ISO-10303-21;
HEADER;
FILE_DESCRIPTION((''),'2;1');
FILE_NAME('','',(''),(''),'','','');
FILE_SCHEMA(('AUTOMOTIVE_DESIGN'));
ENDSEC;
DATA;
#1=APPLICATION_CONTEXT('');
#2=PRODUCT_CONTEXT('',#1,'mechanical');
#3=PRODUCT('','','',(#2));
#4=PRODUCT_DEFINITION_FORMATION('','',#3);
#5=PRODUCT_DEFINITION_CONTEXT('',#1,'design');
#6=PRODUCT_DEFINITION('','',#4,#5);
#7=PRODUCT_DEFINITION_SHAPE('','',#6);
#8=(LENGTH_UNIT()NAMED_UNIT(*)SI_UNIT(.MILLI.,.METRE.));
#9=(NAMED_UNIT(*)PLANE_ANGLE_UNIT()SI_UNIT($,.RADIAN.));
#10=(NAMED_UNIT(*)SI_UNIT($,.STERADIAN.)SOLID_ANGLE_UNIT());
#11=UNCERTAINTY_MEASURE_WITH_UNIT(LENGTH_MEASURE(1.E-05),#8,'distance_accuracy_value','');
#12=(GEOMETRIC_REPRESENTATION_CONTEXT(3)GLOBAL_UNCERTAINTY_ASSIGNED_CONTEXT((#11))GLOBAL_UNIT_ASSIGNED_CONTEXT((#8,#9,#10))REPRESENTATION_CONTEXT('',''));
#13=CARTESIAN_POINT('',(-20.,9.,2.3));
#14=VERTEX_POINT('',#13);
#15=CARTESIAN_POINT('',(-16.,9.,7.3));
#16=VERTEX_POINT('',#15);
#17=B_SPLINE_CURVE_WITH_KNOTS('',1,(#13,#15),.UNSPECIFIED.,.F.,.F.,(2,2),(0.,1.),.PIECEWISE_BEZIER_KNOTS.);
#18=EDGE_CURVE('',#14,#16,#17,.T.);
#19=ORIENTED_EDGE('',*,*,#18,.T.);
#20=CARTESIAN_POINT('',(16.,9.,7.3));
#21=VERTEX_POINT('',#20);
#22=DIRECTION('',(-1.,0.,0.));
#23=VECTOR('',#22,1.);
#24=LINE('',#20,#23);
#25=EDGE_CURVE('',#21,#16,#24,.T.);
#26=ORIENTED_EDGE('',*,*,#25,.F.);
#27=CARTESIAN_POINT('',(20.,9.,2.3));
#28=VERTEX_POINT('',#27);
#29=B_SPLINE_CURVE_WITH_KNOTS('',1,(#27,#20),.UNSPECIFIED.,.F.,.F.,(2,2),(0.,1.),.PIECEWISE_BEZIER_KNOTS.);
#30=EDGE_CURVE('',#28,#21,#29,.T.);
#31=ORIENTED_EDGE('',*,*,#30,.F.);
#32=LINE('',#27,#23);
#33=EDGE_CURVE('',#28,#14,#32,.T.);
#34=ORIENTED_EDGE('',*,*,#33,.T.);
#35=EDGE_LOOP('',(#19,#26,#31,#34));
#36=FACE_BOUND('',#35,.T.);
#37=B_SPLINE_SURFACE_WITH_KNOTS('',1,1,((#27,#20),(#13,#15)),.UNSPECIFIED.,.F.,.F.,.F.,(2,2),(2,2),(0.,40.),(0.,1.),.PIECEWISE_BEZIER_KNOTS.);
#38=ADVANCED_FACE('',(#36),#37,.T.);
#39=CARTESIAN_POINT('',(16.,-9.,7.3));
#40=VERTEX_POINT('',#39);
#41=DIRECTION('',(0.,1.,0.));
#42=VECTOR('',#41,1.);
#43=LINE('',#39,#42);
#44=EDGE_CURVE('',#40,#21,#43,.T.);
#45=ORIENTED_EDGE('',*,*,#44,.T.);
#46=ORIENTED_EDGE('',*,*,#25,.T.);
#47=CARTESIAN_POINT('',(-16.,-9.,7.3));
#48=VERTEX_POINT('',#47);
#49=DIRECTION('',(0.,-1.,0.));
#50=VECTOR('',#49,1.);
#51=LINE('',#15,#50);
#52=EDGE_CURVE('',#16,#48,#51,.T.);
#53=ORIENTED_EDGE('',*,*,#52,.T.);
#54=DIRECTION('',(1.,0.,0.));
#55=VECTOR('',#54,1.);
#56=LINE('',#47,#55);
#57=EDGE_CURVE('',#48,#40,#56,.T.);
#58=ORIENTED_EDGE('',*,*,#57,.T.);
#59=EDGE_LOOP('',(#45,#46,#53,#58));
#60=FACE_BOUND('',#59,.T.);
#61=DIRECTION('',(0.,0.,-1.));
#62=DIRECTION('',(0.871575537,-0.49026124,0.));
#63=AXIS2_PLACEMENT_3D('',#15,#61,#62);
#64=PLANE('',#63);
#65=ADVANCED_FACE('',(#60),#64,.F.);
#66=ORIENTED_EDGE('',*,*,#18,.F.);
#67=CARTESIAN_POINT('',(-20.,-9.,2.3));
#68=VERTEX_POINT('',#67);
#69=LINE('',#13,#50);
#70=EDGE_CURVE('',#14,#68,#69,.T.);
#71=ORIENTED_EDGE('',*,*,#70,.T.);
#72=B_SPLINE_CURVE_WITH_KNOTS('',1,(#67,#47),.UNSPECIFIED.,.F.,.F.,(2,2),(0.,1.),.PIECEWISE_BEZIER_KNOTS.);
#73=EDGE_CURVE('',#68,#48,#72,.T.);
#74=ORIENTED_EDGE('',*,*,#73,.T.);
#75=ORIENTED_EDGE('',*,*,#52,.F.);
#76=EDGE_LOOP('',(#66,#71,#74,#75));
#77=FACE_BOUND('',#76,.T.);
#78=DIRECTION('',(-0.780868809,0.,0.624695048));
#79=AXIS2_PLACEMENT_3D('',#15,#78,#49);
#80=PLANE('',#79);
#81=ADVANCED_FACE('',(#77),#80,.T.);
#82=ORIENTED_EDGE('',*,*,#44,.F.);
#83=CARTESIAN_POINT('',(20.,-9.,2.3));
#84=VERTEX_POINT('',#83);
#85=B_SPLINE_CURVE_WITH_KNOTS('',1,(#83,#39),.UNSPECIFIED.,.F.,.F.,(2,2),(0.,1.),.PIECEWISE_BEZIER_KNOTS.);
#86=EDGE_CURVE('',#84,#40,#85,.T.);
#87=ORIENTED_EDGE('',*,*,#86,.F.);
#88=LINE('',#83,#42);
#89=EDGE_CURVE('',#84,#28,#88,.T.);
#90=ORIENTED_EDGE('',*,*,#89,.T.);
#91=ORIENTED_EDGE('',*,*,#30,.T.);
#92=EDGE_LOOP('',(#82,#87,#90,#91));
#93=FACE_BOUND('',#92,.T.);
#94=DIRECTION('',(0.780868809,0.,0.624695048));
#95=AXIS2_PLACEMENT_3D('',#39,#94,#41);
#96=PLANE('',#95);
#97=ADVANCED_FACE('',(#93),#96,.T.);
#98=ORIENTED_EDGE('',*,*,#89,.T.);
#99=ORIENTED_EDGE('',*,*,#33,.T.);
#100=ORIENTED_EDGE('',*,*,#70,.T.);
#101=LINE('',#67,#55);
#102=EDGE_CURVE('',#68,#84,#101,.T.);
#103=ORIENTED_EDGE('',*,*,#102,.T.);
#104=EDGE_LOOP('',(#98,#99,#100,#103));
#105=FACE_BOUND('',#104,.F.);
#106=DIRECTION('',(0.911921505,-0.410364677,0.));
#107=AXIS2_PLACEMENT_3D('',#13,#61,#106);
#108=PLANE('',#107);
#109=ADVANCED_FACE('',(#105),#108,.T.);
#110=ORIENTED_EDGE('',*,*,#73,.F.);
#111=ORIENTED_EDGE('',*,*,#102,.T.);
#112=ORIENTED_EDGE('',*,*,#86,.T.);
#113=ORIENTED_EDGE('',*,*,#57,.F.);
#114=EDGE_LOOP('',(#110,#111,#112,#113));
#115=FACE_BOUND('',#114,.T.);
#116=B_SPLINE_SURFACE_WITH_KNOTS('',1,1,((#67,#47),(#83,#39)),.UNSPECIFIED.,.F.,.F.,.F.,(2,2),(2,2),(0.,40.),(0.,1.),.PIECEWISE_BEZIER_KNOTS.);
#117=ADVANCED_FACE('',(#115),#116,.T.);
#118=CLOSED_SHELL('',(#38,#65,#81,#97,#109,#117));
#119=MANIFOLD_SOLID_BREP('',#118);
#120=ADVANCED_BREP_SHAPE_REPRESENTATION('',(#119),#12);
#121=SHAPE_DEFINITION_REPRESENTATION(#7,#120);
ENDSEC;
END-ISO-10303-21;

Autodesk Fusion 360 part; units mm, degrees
ref_plane "工作平面1" through (0, 0, 2.3) normal (0, 0, 1) x (1, 0, 0)
sketch "草图1" plane through (0, 0, 2.3) normal (0, 0, 1) x (1, 0, 0)
  line L0 (-20, -9) -> (20, -9)
  line L1 (20, -9) -> (20, 9)
  line L2 (20, 9) -> (-20, 9)
  line L3 (-20, 9) -> (-20, -9)
ref_plane "工作平面2" through (0, 0, 7.3) normal (0, 0, 1) x (1, 0, 0)
sketch "草图2" plane through (0, 0, 7.3) normal (0, 0, 1) x (1, 0, 0)
  line L0 (-16, -9) -> (16, -9)
  line L1 (16, -9) -> (16, 9)
  line L2 (16, 9) -> (-16, 9)
  line L3 (-16, 9) -> (-16, -9)
loft "Coupon male dovetail" add profiles "草图1", "草图2" section 1 section 2
